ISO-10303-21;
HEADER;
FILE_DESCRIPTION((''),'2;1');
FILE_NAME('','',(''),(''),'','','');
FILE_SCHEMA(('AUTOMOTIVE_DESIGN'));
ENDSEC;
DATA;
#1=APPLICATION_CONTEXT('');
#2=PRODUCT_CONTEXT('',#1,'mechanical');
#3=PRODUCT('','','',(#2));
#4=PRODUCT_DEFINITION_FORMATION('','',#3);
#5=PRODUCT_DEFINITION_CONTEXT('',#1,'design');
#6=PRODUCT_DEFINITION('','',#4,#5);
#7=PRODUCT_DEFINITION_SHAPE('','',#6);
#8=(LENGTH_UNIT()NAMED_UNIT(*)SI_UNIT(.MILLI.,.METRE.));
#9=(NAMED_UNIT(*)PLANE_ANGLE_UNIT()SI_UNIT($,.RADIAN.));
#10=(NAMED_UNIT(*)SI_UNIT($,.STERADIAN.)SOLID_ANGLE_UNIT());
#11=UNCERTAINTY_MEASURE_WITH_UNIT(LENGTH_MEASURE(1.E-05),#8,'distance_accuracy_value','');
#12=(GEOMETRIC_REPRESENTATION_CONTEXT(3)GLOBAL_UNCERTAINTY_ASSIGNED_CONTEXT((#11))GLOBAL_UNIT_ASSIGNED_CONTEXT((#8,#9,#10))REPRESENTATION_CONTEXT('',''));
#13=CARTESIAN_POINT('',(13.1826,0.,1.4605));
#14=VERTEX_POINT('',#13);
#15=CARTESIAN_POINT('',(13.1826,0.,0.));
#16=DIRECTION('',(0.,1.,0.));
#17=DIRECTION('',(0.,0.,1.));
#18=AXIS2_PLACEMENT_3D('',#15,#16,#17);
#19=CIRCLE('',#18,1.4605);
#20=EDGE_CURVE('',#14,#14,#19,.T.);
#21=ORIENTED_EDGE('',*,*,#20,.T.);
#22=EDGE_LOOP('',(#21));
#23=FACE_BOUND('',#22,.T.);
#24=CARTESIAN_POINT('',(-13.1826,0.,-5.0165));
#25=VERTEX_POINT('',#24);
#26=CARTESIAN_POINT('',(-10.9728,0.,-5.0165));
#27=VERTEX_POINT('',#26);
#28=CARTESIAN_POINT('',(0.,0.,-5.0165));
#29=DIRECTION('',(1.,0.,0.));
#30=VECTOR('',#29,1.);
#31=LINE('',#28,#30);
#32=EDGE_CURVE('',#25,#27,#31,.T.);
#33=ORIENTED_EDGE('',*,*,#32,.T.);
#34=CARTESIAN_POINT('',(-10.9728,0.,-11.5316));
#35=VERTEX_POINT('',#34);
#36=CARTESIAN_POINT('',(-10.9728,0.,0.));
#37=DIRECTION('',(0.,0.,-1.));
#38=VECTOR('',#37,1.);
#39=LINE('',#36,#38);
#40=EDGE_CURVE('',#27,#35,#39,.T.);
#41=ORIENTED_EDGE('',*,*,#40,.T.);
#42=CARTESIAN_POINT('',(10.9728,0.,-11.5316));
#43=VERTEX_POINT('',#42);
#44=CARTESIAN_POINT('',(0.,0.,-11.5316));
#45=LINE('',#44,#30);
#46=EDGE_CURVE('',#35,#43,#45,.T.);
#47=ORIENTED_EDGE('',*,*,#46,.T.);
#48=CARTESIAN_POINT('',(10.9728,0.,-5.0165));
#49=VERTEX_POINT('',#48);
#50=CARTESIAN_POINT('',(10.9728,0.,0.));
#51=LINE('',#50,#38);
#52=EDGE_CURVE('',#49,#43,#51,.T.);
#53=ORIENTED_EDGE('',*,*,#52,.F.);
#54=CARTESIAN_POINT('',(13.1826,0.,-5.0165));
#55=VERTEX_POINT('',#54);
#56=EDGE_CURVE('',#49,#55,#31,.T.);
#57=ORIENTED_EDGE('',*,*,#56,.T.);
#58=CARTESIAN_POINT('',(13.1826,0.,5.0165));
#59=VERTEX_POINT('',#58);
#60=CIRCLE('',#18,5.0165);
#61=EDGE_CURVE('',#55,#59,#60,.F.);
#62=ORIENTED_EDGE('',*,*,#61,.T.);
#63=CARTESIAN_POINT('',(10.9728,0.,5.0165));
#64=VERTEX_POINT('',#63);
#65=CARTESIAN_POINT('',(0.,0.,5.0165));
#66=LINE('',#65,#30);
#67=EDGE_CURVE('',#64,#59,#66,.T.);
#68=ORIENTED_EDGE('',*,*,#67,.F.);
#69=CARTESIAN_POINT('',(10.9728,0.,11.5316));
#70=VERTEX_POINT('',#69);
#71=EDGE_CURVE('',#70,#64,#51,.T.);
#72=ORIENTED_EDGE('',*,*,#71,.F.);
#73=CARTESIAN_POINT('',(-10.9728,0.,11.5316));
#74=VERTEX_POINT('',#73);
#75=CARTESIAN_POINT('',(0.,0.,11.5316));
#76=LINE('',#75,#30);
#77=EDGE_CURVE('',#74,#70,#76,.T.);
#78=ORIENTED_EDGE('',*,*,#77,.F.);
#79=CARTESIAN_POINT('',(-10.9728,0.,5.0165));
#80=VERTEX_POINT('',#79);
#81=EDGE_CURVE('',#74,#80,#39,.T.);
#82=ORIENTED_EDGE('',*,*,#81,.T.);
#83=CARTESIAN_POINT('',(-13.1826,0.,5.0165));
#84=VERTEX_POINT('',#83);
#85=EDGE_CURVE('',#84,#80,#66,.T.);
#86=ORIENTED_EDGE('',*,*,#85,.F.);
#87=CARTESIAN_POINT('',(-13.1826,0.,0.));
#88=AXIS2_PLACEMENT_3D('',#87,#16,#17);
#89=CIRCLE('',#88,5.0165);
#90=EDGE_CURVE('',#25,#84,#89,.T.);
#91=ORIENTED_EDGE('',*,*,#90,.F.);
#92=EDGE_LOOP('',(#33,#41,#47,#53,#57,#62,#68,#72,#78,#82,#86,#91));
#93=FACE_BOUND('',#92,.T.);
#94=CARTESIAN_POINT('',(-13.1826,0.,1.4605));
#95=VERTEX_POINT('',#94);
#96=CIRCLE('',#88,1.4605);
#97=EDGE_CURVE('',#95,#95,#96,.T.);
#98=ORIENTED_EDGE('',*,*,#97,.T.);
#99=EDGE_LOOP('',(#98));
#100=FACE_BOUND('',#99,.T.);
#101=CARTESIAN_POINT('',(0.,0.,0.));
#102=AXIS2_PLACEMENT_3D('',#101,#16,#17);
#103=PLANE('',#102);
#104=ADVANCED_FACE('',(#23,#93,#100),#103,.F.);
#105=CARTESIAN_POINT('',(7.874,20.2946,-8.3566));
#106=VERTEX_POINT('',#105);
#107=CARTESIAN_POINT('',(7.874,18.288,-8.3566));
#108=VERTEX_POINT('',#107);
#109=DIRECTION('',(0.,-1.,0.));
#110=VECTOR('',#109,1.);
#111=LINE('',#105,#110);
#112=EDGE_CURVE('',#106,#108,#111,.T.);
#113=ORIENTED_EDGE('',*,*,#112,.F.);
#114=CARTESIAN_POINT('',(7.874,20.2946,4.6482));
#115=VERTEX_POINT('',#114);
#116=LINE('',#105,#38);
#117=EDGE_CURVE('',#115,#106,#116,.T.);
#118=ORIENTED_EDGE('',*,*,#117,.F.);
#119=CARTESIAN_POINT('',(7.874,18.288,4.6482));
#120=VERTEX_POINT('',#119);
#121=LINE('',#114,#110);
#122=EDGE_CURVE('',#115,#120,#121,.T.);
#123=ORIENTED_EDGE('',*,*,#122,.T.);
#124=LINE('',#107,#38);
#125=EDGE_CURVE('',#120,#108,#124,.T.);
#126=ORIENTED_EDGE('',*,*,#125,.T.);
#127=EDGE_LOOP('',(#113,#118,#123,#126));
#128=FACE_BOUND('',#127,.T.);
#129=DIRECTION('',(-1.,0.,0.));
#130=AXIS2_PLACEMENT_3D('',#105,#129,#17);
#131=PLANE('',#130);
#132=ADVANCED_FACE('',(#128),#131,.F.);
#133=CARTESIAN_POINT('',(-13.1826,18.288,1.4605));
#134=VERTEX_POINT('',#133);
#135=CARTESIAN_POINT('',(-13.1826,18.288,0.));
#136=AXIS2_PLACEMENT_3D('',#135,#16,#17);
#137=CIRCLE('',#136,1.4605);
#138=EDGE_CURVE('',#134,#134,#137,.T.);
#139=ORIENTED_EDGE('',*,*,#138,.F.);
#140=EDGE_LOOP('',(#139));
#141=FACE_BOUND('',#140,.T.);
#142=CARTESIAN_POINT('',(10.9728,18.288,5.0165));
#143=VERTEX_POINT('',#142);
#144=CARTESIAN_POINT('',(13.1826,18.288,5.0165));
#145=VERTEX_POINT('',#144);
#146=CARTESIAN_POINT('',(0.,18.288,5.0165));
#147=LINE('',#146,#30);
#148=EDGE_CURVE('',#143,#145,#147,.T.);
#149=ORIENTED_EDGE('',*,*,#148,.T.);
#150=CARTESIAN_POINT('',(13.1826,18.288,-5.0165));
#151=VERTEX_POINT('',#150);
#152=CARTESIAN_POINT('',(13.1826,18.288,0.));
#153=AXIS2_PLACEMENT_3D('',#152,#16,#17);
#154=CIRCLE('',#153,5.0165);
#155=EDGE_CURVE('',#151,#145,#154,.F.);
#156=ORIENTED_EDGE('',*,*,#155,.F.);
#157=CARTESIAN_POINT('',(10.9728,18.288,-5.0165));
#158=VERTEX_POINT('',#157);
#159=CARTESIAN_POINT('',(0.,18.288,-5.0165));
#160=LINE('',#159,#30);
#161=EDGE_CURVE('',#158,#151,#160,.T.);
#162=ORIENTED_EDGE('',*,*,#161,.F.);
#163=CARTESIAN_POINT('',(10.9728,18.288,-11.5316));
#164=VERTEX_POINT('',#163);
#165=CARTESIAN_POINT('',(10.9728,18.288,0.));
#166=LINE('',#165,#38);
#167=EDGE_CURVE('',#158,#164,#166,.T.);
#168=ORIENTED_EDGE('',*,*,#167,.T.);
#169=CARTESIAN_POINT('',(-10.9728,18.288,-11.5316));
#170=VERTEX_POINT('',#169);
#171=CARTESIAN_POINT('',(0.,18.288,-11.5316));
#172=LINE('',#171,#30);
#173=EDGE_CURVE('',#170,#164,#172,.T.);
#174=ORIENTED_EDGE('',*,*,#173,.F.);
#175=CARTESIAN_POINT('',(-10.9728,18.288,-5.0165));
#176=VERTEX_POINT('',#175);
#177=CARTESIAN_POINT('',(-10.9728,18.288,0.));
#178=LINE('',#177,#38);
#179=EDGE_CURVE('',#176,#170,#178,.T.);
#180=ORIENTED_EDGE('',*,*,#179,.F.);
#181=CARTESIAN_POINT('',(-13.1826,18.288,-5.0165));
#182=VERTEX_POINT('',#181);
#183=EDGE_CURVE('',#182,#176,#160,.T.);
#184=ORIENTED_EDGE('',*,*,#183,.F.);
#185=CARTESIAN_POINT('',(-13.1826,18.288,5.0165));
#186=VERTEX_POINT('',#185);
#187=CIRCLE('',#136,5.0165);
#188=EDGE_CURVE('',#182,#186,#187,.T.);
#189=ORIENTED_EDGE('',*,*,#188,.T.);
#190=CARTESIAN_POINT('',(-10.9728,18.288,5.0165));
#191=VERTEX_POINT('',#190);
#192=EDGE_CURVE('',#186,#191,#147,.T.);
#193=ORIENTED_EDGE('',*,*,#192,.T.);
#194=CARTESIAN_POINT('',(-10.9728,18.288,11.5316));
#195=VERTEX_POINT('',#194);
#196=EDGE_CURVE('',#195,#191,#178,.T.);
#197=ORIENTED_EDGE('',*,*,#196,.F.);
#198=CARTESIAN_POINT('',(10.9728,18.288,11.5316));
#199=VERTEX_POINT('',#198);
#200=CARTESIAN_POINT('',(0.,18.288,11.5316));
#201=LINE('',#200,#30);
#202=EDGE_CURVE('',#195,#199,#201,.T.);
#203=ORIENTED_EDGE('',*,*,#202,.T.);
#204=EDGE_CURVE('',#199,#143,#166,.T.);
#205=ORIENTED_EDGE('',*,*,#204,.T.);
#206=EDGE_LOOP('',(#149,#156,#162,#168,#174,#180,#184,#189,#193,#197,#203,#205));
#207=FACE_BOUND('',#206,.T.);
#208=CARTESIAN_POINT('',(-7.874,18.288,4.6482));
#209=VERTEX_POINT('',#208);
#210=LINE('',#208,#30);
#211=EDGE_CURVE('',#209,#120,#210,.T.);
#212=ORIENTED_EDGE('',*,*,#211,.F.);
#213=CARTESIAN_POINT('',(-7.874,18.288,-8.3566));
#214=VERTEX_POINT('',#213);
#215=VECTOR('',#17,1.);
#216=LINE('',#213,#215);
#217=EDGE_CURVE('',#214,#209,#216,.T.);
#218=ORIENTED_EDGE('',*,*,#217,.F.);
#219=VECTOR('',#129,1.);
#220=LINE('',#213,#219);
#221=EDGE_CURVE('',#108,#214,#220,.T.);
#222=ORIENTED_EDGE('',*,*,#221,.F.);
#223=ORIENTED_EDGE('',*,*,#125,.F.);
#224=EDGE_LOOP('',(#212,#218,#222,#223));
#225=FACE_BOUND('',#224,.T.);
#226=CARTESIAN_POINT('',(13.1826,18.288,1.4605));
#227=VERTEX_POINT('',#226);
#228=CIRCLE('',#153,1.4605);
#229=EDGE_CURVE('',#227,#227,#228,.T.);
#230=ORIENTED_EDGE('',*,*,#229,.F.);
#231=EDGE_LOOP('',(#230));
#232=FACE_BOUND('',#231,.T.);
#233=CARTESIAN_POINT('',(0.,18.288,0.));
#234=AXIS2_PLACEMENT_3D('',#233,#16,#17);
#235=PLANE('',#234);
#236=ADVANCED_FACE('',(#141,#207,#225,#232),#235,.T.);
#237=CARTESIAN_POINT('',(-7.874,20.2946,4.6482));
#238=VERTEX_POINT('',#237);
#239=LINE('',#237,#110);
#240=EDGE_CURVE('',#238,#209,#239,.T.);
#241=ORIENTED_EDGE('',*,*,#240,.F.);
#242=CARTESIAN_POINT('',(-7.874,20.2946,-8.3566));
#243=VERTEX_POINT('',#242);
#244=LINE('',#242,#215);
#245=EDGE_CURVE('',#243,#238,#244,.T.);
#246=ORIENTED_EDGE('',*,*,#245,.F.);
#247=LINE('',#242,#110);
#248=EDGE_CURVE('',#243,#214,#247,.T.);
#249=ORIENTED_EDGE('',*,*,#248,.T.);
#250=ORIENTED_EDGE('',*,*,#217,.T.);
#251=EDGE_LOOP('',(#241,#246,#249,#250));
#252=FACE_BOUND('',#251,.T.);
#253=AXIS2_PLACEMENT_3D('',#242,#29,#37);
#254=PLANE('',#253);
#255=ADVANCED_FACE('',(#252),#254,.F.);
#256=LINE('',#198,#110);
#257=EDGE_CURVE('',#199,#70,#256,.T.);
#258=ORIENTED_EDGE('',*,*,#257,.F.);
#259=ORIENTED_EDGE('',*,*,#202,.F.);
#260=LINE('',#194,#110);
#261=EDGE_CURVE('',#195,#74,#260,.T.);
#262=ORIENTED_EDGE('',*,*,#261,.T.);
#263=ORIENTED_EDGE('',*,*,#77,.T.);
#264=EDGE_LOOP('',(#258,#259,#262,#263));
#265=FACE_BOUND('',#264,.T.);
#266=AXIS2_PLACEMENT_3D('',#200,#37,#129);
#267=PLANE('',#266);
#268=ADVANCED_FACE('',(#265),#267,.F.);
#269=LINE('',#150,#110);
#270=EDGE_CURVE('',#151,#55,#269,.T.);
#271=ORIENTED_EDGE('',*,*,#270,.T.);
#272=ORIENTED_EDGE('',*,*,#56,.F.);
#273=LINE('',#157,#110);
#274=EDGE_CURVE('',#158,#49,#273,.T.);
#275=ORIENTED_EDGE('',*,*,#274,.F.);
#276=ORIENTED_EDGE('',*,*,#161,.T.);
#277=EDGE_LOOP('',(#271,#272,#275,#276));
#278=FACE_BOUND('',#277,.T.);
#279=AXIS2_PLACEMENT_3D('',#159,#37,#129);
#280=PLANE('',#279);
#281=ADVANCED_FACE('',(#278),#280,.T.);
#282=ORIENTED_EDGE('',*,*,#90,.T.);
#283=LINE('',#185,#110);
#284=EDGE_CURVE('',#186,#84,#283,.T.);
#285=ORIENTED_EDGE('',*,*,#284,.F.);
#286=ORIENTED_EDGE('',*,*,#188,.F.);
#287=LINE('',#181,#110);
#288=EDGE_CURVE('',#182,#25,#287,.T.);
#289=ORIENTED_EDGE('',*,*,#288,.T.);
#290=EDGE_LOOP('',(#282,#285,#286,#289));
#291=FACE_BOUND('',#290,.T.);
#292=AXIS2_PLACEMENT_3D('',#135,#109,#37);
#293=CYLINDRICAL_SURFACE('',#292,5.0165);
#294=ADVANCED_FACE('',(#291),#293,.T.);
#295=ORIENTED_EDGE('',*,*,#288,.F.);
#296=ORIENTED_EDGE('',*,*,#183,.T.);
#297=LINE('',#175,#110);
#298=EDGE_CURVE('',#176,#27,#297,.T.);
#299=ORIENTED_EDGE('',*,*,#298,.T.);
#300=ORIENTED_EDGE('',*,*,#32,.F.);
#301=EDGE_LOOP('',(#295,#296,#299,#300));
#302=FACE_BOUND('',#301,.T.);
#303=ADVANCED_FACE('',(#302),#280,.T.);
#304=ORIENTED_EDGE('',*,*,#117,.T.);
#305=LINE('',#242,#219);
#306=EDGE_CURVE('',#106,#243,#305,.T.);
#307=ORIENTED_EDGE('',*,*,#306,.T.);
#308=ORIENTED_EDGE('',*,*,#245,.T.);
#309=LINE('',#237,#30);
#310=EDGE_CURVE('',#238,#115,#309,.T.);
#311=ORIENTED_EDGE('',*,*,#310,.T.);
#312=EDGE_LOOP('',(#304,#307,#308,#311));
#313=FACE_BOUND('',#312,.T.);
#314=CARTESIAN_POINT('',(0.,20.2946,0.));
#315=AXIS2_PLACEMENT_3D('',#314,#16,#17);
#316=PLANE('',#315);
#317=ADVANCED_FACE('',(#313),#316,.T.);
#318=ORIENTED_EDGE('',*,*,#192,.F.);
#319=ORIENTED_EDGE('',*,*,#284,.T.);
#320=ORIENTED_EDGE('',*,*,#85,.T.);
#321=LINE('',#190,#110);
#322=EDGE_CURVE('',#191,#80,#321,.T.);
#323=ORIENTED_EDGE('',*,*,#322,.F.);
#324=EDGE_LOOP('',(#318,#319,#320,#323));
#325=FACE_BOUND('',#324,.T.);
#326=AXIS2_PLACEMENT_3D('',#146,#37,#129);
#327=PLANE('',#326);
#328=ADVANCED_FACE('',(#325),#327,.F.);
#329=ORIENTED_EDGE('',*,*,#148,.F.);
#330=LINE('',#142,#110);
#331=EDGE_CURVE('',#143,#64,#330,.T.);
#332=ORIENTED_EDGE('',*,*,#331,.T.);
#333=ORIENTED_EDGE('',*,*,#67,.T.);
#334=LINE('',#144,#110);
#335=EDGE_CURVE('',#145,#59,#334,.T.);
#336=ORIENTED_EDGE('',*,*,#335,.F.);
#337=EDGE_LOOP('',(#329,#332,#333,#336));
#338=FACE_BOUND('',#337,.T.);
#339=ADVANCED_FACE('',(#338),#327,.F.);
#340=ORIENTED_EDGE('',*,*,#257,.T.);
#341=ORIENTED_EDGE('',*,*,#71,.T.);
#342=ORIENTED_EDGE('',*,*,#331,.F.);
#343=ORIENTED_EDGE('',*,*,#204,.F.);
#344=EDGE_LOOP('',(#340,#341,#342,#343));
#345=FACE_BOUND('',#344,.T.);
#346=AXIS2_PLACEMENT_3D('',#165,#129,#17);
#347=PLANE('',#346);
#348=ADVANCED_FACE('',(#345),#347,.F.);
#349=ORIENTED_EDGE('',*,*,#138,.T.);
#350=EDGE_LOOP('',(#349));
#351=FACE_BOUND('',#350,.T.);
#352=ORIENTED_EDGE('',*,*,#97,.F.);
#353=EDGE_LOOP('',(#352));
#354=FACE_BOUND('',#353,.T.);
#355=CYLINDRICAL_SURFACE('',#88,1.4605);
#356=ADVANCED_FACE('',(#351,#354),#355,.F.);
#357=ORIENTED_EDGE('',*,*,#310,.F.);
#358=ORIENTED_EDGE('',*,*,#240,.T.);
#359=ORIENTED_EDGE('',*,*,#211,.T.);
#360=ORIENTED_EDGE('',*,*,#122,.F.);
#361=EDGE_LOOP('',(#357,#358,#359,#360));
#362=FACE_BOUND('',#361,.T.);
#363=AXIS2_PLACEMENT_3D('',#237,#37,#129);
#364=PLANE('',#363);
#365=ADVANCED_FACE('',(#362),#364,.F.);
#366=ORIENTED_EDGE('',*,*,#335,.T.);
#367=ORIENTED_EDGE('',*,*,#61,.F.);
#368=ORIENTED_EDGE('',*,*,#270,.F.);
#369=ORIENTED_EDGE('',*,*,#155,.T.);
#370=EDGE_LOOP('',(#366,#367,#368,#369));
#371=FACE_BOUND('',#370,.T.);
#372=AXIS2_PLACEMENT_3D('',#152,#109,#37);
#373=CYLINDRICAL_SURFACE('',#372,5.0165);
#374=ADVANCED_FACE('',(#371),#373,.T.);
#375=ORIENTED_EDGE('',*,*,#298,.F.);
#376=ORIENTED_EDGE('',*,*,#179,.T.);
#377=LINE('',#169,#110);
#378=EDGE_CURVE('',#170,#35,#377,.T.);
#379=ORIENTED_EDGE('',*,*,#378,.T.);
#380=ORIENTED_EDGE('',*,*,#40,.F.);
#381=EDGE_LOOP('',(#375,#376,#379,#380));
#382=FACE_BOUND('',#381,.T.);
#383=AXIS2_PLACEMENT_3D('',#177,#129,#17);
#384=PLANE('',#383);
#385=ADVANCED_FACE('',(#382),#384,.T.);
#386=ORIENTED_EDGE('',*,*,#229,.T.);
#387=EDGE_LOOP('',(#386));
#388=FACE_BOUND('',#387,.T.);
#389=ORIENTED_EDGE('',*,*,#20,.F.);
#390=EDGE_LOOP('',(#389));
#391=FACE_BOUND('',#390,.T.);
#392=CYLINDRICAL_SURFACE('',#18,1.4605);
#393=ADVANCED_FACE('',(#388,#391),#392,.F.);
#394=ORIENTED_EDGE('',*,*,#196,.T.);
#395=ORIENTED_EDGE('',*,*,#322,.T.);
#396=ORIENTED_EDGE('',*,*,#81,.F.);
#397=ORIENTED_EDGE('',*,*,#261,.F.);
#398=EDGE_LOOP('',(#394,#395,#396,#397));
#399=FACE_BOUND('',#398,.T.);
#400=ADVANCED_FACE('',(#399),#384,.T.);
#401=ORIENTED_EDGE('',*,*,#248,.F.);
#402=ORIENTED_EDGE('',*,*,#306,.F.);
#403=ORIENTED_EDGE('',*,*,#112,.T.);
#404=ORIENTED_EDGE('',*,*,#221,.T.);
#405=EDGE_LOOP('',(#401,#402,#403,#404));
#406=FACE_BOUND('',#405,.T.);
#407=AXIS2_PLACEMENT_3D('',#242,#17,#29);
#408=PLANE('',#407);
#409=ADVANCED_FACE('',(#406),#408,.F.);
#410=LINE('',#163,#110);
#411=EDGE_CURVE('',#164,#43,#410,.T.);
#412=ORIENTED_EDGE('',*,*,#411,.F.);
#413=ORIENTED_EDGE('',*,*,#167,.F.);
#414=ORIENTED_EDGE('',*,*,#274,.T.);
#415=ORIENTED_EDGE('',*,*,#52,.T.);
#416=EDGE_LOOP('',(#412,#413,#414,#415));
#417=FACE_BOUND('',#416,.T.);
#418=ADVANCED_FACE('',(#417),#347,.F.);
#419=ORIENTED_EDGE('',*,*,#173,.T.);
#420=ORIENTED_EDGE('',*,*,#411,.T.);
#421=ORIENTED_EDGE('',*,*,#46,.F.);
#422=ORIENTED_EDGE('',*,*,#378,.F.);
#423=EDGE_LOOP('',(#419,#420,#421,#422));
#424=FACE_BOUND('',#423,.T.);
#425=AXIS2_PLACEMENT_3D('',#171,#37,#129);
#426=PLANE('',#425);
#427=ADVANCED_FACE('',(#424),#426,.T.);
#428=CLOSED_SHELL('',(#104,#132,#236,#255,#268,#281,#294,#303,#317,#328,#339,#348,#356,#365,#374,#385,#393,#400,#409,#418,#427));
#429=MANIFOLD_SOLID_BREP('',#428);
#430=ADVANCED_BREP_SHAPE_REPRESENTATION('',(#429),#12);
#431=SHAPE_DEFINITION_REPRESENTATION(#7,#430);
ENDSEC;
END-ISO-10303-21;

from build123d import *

# Parameters (mm, degrees)
SKETCH1_W           = 21.9456
SKETCH1_H           = 10.033
SKETCH1_H_2         = 6.5151
BOSS_EXTRUDE1_DEPTH = 18.288
SKETCH2_W           = 15.748
SKETCH2_H           = 13.0048
BOSS_EXTRUDE2_DEPTH = 2.0066
SKETCH3_R           = 1.4605
CUT_EXTRUDE1_DEPTH  = 29.260148325


with BuildPart() as part:
    # Sketch1 → Boss-Extrude1 (new body)
    with BuildSketch(Plane(origin=(0, 0, 0), x_dir=(1, 0, 0), z_dir=(0, 1, 0))):
        with BuildLine():
            Line((-13.1826, -5.0165), (-10.9728, -5.0165))
            Line((-10.9728, -5.0165), (-10.9728, 5.0165))
            Line((-10.9728, 5.0165), (-13.1826, 5.0165))
            ThreePointArc((-13.1826, 5.0165), (-18.1991, 0), (-13.1826, -5.0165))
        make_face()
        Rectangle(SKETCH1_W, SKETCH1_H)
        with Locations((0, -8.27405)):
            Rectangle(SKETCH1_W, SKETCH1_H_2)
        with BuildLine():
            Line((10.9728, 5.0165), (10.9728, -5.0165))
            Line((10.9728, -5.0165), (13.1826, -5.0165))
            ThreePointArc((13.1826, -5.0165), (18.1991, 0), (13.1826, 5.0165))
            Line((13.1826, 5.0165), (10.9728, 5.0165))
        make_face()
        with Locations((0, 8.27405)):
            Rectangle(SKETCH1_W, SKETCH1_H_2)
    extrude(amount=BOSS_EXTRUDE1_DEPTH)

    # Sketch2 → Boss-Extrude2 (add)
    with BuildSketch(Plane(origin=(0, 18.288, 0), x_dir=(1, 0, 0), z_dir=(0, 1, 0))):
        with Locations((0, 1.8542)):
            Rectangle(SKETCH2_W, SKETCH2_H)
    extrude(amount=BOSS_EXTRUDE2_DEPTH)

    # Sketch3 → Cut-Extrude1 (cut, through all)
    with BuildSketch(Plane(origin=(0, 18.288, 0), x_dir=(1, 0, 0), z_dir=(0, 1, 0))):
        with Locations(Location((-13.1826, 0, 0), (0, 0, 270))):
            Circle(SKETCH3_R)
        with Locations(Location((13.1826, 0, 0), (0, 0, 270))):
            Circle(SKETCH3_R)
    extrude(amount=-CUT_EXTRUDE1_DEPTH, mode=Mode.SUBTRACT)


solid = part.part
